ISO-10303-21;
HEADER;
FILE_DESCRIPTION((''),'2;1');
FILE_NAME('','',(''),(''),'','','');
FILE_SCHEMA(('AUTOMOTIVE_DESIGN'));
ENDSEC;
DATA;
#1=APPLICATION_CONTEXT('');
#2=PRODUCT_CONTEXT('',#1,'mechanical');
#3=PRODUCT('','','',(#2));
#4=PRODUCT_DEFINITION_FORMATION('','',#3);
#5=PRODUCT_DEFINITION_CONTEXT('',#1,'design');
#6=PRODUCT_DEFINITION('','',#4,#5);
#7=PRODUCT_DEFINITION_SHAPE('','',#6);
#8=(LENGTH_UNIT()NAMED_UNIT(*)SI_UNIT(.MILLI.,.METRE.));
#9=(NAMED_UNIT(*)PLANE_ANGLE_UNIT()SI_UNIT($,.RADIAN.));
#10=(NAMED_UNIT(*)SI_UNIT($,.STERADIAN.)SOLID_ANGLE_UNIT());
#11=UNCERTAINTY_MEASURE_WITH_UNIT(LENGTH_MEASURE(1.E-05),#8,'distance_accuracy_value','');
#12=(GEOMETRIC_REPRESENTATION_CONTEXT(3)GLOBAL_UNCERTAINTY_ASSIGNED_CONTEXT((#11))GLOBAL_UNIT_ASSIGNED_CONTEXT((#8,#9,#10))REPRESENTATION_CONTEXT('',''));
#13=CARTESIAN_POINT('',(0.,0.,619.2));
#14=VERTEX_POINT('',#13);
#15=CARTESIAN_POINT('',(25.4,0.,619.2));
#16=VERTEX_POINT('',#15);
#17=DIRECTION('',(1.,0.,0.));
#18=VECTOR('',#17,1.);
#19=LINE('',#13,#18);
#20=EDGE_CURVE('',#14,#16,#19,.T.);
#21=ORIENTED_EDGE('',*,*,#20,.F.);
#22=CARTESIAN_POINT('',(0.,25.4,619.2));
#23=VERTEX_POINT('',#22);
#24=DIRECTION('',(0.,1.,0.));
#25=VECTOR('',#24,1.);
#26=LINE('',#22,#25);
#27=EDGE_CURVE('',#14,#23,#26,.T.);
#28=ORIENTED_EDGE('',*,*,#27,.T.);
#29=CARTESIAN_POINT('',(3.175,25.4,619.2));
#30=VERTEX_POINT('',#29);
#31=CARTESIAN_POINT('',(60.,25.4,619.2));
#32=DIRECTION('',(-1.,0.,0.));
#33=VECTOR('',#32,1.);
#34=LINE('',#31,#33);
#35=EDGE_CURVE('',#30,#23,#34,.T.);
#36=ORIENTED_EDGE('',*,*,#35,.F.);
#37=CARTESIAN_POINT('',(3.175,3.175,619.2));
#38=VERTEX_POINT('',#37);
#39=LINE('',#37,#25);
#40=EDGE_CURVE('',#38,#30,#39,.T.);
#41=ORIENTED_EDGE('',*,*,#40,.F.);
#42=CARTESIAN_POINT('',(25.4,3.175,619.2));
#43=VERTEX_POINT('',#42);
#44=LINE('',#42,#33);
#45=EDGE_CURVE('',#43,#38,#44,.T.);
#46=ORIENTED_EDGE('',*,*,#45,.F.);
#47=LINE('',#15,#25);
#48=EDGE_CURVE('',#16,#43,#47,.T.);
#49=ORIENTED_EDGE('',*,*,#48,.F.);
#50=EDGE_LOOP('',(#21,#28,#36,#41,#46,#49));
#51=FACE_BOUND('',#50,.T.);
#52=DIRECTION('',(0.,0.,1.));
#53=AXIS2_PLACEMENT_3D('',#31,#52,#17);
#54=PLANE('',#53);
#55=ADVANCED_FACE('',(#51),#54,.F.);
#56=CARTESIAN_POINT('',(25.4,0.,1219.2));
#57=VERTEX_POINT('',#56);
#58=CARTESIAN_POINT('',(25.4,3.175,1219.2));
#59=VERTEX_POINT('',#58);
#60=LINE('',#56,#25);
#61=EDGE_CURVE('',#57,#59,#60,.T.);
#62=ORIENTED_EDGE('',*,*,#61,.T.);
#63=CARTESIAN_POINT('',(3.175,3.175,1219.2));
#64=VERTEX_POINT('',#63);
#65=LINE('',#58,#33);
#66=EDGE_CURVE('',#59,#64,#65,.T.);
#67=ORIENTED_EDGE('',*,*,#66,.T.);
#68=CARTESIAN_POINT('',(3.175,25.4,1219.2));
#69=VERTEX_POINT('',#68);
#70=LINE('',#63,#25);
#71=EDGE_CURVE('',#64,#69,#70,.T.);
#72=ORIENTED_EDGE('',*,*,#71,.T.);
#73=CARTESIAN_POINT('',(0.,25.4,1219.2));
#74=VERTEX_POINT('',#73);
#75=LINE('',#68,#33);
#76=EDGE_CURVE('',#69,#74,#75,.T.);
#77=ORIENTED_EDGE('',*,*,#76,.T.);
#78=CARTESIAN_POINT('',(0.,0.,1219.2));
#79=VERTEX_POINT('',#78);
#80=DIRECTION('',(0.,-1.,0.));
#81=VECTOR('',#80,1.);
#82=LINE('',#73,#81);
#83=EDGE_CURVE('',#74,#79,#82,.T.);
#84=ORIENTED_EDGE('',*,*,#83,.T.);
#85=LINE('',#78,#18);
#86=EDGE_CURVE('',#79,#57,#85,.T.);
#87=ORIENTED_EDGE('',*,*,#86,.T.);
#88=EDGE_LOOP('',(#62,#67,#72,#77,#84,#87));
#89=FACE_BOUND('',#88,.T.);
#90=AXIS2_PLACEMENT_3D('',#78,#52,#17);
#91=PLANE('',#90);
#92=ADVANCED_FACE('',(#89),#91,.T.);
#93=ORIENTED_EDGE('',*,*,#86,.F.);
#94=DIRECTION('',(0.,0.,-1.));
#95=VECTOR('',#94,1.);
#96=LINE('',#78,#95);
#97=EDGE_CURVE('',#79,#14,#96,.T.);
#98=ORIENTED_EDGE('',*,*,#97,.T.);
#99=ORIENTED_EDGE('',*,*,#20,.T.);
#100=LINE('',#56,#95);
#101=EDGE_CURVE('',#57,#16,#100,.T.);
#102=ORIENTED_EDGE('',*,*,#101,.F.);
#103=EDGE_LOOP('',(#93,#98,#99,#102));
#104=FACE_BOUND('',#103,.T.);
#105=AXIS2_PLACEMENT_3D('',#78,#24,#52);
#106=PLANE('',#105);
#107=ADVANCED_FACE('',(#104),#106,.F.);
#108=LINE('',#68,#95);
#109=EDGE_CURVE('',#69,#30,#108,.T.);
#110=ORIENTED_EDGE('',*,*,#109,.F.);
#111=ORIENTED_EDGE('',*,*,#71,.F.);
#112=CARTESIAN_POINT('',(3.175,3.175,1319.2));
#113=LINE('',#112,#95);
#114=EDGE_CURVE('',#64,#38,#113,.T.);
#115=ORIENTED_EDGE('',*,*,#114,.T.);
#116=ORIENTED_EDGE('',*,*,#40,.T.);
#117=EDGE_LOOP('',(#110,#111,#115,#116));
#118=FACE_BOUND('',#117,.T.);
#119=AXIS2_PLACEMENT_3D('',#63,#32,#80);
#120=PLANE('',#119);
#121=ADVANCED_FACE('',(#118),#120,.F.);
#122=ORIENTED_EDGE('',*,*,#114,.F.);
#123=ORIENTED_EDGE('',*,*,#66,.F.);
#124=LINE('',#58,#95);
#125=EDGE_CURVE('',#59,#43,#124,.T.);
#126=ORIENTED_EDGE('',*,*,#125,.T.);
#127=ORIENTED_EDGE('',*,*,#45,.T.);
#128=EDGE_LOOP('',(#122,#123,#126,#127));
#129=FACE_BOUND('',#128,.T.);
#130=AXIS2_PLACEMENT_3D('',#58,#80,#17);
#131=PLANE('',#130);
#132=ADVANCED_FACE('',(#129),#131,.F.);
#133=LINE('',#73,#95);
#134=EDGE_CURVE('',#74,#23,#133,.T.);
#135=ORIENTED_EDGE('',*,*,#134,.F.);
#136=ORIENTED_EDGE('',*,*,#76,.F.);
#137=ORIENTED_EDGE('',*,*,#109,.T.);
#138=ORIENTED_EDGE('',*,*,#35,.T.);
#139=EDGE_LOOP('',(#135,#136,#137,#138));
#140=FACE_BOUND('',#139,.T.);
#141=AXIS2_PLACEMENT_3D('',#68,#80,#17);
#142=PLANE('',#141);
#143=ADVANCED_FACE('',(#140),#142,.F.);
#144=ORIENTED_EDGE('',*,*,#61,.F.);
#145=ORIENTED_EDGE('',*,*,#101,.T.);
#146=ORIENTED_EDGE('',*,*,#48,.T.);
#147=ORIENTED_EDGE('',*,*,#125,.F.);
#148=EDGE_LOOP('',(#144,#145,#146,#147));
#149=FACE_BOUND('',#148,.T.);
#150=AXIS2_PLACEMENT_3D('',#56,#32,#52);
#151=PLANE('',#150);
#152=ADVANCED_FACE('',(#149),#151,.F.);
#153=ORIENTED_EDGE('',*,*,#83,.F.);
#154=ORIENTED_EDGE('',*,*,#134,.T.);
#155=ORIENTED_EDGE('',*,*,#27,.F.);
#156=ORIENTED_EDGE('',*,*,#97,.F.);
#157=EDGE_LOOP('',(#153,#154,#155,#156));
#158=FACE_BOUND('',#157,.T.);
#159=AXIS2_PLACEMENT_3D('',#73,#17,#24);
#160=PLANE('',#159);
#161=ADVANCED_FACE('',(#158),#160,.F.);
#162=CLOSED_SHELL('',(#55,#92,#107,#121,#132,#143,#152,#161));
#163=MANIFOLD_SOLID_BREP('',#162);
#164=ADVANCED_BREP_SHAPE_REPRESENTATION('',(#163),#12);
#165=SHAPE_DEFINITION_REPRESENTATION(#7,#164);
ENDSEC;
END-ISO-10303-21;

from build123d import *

# Parameters (mm, degrees)
BOSS_EXTRUDE1_DEPTH = 1219.2
FILLET1_R           = 0.4064
SKETCH4_W           = 1838.4
SKETCH4_H           = 103.278519729
CUT_EXTRUDE1_DEPTH  = 60
SKETCH5_W           = 2.838427027
SKETCH5_H           = 1.970979722
CUT_EXTRUDE2_DEPTH  = 700


with BuildPart() as part:
    # Sketch3 → Boss-Extrude1 (new, symmetric)
    with BuildSketch(Plane.XY):
        Polygon((3.175, 25.4), (0, 25.4), (0, 0), (25.4, 0), (25.4, 3.175), (3.175, 3.175), align=None)
    extrude(amount=BOSS_EXTRUDE1_DEPTH, both=True)

    # Fillet1
    fillet1_edges = [part.edges().sort_by_distance(p)[0] for p in [
        (3.175, 3.175, 0),
    ]]
    fillet(fillet1_edges, radius=FILLET1_R)

    # Sketch4 → Cut-Extrude1 (cut)
    with BuildSketch(Plane.ZY):
        with Locations((-300, -26.239259864)):
            Rectangle(SKETCH4_W, SKETCH4_H)
    extrude(amount=-CUT_EXTRUDE1_DEPTH, mode=Mode.SUBTRACT)

    # Sketch5 → Cut-Extrude2 (cut)
    with BuildSketch(Plane(origin=(0, 0, 619.2), x_dir=(-1, 0, 0), z_dir=(0, 0, -1))):
        with Locations((-4.594213514, 4.160489861)):
            Rectangle(SKETCH5_W, SKETCH5_H)
    extrude(amount=-CUT_EXTRUDE2_DEPTH, mode=Mode.SUBTRACT)


solid = part.part
